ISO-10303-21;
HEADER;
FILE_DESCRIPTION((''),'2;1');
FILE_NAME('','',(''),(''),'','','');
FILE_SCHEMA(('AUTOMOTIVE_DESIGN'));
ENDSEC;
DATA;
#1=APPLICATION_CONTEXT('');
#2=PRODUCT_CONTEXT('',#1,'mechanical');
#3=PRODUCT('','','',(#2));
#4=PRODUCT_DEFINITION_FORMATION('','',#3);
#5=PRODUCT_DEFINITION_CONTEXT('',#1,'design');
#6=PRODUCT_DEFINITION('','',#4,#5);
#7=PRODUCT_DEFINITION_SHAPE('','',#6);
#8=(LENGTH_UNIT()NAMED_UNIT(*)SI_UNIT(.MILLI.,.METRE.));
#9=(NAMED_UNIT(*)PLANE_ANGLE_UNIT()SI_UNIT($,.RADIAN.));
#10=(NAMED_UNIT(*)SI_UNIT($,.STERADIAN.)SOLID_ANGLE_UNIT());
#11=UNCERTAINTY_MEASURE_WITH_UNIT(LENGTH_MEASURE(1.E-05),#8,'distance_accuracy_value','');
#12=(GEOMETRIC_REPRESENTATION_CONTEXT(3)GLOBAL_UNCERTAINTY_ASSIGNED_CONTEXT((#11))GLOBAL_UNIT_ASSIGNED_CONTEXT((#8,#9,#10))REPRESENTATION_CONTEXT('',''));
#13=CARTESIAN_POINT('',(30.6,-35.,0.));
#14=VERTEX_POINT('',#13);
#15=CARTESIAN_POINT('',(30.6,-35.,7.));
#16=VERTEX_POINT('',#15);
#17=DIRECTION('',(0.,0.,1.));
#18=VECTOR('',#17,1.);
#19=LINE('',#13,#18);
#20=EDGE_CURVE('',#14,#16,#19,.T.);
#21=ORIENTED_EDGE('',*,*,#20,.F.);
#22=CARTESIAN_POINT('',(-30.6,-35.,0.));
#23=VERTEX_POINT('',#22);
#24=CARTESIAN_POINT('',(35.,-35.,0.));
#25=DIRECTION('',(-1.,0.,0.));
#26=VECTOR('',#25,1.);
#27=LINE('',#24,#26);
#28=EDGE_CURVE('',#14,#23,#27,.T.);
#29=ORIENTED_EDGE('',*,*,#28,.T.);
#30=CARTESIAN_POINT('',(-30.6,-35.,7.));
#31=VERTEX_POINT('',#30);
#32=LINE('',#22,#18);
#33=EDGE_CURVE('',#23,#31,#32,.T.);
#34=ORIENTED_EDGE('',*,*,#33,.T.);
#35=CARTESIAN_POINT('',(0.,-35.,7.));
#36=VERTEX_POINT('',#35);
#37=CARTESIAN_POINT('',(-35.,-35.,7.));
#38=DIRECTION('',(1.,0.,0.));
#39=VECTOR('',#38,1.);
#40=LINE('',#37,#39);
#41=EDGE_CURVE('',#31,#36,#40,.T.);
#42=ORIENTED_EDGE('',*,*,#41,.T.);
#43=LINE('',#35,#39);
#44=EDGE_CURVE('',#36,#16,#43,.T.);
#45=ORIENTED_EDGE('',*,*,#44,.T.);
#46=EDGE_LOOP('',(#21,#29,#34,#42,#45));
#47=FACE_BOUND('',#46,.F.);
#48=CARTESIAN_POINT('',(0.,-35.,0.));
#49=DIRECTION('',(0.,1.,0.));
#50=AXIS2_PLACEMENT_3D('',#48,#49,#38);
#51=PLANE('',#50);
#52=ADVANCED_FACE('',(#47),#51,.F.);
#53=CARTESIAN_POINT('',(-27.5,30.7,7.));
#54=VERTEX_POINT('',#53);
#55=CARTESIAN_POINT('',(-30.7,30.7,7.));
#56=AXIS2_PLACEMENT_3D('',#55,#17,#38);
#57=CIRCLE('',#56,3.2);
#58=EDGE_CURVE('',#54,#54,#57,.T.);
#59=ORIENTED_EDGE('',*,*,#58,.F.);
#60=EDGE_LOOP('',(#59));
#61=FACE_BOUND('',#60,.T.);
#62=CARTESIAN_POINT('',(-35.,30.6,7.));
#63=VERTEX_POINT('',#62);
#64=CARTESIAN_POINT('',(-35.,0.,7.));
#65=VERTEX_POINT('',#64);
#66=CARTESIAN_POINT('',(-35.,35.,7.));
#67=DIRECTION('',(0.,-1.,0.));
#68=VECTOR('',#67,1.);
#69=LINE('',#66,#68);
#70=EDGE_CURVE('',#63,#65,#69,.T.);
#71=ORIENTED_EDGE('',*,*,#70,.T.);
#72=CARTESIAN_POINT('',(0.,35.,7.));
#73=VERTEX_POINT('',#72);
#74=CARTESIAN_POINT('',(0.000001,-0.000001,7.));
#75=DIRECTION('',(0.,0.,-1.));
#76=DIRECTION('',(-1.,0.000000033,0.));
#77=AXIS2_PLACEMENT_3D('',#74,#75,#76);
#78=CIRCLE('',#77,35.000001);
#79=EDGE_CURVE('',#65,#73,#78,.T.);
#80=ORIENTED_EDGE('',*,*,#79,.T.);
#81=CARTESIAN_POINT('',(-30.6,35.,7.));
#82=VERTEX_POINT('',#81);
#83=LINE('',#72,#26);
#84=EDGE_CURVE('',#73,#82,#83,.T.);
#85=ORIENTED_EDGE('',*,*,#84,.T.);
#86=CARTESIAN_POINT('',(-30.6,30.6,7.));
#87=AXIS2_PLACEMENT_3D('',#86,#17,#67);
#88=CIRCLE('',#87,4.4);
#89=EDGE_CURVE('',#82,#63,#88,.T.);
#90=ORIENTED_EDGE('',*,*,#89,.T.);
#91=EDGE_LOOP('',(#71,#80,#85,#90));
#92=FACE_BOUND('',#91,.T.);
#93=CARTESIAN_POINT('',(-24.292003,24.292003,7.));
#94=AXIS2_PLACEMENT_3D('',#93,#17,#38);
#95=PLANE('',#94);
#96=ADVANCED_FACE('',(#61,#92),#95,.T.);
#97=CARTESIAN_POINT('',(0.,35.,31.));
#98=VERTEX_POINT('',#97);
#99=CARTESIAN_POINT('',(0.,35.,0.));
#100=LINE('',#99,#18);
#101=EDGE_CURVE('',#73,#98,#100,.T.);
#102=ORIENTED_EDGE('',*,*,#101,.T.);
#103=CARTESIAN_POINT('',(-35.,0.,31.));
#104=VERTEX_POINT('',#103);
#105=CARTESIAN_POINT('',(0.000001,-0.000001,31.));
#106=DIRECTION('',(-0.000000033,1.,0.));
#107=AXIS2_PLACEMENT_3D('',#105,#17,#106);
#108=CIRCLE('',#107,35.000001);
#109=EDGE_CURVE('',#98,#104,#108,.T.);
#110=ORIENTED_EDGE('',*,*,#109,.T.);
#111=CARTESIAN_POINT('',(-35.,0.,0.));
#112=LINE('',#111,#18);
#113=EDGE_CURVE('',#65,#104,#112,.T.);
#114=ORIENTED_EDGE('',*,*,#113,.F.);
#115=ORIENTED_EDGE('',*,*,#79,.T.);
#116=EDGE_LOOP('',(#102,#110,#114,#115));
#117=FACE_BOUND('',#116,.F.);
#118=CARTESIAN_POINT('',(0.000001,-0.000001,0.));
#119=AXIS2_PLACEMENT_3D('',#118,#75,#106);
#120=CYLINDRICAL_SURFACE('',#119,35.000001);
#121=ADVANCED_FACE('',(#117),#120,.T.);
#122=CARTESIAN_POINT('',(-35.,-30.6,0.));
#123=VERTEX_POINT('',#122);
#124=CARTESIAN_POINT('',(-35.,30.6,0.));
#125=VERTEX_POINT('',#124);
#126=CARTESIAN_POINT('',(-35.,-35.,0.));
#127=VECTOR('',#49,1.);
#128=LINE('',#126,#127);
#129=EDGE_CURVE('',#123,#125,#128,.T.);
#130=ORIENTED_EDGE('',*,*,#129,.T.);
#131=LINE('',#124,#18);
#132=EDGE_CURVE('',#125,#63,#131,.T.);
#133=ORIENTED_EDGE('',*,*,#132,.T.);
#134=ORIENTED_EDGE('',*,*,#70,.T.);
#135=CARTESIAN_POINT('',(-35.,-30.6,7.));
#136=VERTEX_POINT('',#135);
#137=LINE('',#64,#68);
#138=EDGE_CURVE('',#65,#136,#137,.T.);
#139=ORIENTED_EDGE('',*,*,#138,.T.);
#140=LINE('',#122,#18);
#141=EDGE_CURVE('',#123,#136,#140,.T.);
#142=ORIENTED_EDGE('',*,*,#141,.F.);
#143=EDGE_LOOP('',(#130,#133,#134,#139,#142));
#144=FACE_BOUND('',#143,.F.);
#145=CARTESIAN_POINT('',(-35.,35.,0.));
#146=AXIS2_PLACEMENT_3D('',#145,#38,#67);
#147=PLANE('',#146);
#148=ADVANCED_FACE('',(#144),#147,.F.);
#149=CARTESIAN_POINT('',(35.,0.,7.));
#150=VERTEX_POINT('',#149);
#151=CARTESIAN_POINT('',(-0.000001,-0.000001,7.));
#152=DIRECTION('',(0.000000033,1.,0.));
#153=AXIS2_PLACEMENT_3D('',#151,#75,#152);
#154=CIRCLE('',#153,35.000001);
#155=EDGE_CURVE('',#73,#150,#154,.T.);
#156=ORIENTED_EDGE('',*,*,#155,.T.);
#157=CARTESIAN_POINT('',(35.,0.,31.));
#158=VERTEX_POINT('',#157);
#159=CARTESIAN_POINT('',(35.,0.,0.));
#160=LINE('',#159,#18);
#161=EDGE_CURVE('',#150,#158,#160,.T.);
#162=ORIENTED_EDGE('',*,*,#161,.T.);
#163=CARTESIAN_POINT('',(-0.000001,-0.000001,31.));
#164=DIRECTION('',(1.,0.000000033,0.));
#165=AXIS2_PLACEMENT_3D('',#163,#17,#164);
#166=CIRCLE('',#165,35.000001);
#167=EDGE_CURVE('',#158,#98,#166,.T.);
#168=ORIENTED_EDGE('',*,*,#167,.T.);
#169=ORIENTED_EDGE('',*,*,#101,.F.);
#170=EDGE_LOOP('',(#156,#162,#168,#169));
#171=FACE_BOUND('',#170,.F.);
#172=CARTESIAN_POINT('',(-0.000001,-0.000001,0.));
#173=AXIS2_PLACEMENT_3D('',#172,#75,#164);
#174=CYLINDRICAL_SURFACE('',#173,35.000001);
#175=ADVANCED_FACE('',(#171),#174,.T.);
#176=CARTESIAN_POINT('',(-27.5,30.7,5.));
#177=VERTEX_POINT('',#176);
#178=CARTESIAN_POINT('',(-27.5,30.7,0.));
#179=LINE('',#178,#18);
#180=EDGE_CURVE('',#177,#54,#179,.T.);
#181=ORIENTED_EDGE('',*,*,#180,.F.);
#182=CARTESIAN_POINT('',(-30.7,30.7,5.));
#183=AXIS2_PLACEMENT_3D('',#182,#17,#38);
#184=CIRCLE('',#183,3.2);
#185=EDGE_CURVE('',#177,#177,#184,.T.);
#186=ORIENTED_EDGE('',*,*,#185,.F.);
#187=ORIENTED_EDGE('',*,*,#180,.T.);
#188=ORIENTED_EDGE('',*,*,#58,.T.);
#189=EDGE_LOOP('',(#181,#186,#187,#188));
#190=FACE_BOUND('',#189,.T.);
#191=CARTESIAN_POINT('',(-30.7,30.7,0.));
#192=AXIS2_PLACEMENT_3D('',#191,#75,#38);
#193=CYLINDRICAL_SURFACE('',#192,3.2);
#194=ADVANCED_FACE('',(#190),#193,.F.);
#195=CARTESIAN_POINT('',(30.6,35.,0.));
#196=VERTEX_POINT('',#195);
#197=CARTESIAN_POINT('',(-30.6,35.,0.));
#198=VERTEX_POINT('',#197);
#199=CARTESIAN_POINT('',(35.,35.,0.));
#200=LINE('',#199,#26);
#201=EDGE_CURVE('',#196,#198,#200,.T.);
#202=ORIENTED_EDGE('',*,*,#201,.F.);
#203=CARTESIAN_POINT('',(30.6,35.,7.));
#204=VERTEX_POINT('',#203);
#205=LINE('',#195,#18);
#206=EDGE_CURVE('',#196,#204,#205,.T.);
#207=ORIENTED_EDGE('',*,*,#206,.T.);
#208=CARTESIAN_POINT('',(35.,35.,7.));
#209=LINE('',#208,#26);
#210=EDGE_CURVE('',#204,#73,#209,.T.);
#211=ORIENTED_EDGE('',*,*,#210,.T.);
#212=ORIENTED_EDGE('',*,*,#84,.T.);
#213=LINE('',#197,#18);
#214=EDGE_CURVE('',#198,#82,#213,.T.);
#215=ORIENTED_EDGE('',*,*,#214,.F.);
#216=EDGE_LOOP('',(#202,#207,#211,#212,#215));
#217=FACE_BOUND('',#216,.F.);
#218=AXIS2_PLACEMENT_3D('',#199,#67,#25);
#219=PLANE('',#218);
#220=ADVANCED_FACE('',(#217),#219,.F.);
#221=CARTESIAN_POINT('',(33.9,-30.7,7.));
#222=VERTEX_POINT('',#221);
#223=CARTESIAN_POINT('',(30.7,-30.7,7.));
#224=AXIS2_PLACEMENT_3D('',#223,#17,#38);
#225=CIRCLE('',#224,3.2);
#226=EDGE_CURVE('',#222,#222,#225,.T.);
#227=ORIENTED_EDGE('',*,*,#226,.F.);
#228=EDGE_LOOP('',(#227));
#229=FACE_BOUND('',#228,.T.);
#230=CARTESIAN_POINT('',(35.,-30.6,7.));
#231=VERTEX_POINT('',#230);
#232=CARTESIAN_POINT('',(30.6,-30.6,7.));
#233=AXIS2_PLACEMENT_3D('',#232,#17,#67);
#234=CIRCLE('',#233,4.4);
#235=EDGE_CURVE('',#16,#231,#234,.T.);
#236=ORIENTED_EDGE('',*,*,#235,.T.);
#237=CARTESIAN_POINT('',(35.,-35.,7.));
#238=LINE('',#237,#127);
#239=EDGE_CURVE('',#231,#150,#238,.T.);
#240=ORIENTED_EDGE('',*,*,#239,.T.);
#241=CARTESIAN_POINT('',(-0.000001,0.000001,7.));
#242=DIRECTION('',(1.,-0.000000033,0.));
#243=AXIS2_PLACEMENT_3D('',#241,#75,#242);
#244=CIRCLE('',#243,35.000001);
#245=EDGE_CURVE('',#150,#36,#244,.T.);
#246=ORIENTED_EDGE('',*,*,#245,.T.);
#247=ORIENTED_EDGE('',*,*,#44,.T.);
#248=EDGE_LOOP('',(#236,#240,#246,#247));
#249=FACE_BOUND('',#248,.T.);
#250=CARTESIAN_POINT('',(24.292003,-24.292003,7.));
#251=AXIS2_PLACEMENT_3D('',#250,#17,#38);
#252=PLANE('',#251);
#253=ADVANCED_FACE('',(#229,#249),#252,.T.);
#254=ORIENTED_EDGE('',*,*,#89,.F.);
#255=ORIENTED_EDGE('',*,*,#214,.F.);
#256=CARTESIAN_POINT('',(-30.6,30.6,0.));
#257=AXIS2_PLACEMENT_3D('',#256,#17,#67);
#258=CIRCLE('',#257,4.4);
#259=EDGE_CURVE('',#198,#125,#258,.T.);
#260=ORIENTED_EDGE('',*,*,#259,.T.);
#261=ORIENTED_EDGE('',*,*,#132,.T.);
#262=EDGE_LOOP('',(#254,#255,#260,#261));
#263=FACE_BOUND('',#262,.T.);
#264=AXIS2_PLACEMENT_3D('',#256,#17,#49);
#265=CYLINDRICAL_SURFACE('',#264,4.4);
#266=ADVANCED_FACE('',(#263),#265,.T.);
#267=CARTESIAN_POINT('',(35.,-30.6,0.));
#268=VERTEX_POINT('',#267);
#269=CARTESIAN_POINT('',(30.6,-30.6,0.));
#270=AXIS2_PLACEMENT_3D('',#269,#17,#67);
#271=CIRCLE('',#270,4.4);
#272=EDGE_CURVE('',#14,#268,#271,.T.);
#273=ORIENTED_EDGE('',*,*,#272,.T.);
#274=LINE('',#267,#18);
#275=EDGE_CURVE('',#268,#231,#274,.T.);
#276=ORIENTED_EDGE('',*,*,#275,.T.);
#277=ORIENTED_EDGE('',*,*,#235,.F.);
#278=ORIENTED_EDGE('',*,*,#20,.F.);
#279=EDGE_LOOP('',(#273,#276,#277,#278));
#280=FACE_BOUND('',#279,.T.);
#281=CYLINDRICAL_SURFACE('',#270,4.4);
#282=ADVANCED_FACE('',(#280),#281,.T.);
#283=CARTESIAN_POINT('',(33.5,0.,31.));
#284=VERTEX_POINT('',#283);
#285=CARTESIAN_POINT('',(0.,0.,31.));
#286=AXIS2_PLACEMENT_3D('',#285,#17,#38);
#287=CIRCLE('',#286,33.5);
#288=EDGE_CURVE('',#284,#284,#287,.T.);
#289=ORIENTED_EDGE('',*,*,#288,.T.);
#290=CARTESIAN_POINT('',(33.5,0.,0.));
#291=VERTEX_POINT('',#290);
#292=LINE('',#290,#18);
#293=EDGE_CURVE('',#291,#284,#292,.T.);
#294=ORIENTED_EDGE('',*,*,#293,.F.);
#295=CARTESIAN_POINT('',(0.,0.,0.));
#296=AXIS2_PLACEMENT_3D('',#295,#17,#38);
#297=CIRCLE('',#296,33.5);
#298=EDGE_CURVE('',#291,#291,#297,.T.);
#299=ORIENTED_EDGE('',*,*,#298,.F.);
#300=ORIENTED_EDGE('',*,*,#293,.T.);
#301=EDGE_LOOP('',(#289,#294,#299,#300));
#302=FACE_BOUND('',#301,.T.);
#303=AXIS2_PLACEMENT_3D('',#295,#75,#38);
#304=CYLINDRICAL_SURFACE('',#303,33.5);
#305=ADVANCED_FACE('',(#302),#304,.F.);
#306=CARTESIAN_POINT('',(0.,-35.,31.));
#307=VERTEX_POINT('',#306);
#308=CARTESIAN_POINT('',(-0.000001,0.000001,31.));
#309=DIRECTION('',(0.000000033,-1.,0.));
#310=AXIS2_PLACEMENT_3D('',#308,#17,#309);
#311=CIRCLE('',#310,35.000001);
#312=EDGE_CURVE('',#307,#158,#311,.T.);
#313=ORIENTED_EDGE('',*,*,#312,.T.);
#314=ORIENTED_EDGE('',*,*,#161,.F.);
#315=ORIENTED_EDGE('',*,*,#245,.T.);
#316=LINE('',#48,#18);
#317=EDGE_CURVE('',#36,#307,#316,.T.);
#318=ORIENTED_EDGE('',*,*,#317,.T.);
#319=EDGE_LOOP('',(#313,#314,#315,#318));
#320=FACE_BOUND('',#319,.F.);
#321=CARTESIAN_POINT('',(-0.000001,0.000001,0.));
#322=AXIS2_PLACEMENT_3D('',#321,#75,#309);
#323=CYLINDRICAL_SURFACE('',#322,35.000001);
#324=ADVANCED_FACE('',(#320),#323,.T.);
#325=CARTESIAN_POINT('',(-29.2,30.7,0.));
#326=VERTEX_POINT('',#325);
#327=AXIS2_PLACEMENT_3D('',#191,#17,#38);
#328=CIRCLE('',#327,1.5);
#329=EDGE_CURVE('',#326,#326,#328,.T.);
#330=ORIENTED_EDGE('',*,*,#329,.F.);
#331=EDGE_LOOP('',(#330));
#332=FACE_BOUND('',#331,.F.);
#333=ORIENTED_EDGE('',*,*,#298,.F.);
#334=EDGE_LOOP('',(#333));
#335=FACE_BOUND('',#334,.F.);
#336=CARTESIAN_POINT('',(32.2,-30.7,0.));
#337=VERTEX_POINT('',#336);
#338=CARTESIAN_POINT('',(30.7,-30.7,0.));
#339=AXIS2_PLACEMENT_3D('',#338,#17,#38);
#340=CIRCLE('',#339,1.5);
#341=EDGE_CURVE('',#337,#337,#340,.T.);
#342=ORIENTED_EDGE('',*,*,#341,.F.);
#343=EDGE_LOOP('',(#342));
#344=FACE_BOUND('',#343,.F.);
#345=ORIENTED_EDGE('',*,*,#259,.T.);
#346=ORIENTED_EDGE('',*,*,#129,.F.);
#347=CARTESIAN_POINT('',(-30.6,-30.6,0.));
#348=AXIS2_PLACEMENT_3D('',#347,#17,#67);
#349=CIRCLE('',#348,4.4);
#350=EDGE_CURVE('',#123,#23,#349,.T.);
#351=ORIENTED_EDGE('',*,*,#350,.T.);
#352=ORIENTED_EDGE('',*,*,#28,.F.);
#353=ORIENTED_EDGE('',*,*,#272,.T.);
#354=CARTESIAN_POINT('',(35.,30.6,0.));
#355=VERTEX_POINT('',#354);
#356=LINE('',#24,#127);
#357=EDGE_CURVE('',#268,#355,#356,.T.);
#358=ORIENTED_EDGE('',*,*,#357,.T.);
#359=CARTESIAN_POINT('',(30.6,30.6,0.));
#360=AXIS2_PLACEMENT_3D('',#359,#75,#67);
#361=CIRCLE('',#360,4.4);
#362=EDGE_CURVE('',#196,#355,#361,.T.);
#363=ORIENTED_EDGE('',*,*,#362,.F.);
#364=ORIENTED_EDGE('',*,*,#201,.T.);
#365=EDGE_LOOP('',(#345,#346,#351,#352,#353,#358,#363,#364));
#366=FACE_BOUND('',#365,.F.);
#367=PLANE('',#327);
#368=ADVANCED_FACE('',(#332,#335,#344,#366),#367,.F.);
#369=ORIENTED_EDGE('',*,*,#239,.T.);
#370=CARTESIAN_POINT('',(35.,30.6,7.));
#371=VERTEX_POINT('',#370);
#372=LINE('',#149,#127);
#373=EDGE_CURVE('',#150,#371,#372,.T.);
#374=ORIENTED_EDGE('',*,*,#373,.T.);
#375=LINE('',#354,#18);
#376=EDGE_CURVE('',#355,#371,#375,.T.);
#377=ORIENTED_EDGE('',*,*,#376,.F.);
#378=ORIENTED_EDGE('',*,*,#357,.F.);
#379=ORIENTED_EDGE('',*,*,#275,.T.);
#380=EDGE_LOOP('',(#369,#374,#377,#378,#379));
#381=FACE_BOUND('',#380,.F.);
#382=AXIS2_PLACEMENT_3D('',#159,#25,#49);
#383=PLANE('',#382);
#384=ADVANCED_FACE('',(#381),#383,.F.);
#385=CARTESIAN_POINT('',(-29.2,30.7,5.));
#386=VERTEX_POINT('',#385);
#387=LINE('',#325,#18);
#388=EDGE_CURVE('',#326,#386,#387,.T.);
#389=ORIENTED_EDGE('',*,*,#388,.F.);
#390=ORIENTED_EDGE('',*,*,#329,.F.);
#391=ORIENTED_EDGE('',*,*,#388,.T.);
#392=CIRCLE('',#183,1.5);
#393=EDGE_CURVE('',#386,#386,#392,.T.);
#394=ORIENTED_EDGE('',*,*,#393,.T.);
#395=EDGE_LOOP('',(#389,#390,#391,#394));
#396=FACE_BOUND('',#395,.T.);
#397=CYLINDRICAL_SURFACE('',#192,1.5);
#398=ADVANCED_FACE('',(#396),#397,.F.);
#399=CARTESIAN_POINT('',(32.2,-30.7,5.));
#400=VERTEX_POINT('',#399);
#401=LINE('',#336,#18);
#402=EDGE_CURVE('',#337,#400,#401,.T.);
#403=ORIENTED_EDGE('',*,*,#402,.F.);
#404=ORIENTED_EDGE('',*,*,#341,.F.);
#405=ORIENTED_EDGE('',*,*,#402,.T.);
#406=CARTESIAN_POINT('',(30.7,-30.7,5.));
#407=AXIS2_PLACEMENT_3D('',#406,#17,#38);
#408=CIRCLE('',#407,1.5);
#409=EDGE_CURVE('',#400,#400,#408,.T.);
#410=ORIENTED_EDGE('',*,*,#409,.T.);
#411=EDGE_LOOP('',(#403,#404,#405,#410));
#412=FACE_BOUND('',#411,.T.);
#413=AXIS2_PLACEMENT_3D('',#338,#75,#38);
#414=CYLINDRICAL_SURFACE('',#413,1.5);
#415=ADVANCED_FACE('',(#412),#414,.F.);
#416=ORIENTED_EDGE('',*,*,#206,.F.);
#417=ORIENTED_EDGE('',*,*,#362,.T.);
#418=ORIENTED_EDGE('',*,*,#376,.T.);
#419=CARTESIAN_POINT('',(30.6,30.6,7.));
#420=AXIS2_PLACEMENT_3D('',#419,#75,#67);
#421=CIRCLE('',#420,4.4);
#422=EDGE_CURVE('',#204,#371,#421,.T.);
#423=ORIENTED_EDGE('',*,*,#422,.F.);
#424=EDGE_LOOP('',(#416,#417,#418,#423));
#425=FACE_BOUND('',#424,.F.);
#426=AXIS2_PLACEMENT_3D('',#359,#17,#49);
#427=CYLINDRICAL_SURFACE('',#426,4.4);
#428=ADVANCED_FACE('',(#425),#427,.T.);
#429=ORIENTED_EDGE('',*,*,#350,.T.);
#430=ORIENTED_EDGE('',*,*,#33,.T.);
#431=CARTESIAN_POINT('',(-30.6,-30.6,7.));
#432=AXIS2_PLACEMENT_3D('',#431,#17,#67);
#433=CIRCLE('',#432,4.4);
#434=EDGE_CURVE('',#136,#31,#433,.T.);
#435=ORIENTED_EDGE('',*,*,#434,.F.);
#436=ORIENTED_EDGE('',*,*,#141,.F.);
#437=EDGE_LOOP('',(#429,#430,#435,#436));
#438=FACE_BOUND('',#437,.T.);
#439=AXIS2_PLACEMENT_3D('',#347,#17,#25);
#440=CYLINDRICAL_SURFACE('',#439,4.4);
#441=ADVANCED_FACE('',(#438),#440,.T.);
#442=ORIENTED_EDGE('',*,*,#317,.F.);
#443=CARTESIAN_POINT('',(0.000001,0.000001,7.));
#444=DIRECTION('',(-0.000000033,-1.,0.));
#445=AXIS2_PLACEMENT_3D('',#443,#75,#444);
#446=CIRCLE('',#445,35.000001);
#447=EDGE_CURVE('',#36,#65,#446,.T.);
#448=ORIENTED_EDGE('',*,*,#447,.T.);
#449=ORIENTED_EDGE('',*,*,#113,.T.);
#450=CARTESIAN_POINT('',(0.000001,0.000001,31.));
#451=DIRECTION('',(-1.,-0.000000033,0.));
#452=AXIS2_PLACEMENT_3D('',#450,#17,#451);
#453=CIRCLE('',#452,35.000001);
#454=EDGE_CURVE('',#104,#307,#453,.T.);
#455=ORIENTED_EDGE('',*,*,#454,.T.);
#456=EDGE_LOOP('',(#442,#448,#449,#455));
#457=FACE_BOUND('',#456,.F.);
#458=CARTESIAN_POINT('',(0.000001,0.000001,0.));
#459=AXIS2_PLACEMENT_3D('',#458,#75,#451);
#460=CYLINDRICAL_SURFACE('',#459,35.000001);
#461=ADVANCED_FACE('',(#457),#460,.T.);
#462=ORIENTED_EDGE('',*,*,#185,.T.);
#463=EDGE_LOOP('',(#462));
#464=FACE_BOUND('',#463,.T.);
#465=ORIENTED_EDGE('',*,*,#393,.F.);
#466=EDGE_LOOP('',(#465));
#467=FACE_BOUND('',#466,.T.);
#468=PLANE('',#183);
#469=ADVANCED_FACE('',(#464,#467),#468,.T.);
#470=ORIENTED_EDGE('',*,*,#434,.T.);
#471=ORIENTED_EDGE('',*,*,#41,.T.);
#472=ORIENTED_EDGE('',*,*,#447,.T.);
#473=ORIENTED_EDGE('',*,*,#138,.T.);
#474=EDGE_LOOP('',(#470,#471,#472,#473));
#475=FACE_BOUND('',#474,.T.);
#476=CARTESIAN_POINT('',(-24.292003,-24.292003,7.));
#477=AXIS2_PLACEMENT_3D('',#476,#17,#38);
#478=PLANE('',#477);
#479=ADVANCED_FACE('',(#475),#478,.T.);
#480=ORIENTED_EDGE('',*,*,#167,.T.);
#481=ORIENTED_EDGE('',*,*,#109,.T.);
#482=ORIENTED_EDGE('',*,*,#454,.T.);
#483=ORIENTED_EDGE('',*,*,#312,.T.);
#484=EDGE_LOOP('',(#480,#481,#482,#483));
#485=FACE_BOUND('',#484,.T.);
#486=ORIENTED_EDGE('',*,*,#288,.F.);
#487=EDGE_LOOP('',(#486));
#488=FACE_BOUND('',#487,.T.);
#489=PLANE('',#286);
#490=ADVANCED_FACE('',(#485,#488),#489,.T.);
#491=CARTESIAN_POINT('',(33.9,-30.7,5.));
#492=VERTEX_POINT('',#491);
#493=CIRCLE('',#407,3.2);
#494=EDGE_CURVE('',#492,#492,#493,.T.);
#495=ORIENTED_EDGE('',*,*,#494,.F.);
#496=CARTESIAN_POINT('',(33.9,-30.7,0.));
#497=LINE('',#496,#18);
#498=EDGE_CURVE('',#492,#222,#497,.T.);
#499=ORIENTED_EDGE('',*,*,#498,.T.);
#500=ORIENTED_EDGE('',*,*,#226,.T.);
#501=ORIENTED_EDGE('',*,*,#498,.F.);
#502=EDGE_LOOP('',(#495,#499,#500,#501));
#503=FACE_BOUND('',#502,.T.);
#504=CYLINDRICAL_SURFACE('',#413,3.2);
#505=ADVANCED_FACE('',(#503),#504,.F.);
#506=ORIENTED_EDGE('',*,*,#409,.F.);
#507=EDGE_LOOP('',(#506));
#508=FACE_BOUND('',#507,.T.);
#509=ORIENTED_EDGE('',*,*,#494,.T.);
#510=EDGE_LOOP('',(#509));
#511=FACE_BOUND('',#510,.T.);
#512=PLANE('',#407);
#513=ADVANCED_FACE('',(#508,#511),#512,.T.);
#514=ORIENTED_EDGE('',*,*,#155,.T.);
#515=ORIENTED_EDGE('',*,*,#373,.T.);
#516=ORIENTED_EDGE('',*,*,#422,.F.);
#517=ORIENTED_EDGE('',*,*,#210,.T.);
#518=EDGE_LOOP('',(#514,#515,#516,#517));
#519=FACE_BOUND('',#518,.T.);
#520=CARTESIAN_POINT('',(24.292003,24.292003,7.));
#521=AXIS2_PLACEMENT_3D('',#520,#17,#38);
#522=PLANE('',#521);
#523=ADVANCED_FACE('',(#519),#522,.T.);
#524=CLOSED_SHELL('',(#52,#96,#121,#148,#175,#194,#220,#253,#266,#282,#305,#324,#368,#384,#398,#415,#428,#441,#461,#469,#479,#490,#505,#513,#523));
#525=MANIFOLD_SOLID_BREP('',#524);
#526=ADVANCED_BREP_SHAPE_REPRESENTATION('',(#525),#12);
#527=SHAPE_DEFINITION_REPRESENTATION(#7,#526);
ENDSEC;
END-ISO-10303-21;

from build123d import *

# Parameters (mm, degrees)
F0_R     = 33.5
F1_DEPTH = 31
F0_R_2   = 3.2
F2_DEPTH = 7
F0_R_3   = 1.5
F3_DEPTH = 5
F4_R     = 4.4


with BuildPart() as f1:
    # F0 (on Top) → F1 (new body)
    with BuildSketch(Plane.XY):
        with BuildLine():
            ThreePointArc((35, 0), (24.748737, 24.748737), (0, 35))
            ThreePointArc((0, 35), (-24.748737, 24.748737), (-35, 0))
            ThreePointArc((-35, 0), (-24.748737, -24.748737), (0, -35))
            ThreePointArc((0, -35), (24.748737, -24.748737), (35, 0))
        make_face()
        Circle(F0_R, mode=Mode.SUBTRACT)
    extrude(amount=F1_DEPTH)

    # F0 (on Top) → F2 (join)
    with BuildSketch(Plane.XY):
        with BuildLine():
            Line((35, 0), (35, 35))
            Line((35, 35), (0, 35))
            ThreePointArc((0, 35), (24.748737, 24.748737), (35, 0))
        make_face()
        with BuildLine():
            ThreePointArc((-35, 0), (-24.748737, 24.748737), (0, 35))
            Line((0, 35), (-35, 35))
            Line((-35, 35), (-35, 0))
        make_face()
        with Locations((-30.7, 30.7)):
            Circle(F0_R_2, mode=Mode.SUBTRACT)
        with BuildLine():
            Line((35, -35), (35, 0))
            ThreePointArc((35, 0), (24.748737, -24.748737), (0, -35))
            Line((0, -35), (35, -35))
        make_face()
        with Locations((30.7, -30.7)):
            Circle(F0_R_2, mode=Mode.SUBTRACT)
        with BuildLine():
            ThreePointArc((0, -35), (-24.748737, -24.748737), (-35, 0))
            Line((-35, 0), (-35, -35))
            Line((-35, -35), (0, -35))
        make_face()
    extrude(amount=F2_DEPTH)

    # F0 (on Top) → F3 (join)
    with BuildSketch(Plane.XY):
        with Locations((-30.7, 30.7)):
            Circle(F0_R_2)
        with Locations((-30.7, 30.7)):
            Circle(F0_R_3, mode=Mode.SUBTRACT)
        with Locations((30.7, -30.7)):
            Circle(F0_R_2)
        with Locations((30.7, -30.7)):
            Circle(F0_R_3, mode=Mode.SUBTRACT)
    extrude(amount=F3_DEPTH)

    # F4
    f4_edges = [f1.edges().sort_by_distance(p)[0] for p in [
        (-35, 35, 3.5),
        (35, -35, 3.5),
        (35, 35, 3.5),
        (-35, -35, 3.5),
    ]]
    fillet(f4_edges, radius=F4_R)


solid = f1.part
